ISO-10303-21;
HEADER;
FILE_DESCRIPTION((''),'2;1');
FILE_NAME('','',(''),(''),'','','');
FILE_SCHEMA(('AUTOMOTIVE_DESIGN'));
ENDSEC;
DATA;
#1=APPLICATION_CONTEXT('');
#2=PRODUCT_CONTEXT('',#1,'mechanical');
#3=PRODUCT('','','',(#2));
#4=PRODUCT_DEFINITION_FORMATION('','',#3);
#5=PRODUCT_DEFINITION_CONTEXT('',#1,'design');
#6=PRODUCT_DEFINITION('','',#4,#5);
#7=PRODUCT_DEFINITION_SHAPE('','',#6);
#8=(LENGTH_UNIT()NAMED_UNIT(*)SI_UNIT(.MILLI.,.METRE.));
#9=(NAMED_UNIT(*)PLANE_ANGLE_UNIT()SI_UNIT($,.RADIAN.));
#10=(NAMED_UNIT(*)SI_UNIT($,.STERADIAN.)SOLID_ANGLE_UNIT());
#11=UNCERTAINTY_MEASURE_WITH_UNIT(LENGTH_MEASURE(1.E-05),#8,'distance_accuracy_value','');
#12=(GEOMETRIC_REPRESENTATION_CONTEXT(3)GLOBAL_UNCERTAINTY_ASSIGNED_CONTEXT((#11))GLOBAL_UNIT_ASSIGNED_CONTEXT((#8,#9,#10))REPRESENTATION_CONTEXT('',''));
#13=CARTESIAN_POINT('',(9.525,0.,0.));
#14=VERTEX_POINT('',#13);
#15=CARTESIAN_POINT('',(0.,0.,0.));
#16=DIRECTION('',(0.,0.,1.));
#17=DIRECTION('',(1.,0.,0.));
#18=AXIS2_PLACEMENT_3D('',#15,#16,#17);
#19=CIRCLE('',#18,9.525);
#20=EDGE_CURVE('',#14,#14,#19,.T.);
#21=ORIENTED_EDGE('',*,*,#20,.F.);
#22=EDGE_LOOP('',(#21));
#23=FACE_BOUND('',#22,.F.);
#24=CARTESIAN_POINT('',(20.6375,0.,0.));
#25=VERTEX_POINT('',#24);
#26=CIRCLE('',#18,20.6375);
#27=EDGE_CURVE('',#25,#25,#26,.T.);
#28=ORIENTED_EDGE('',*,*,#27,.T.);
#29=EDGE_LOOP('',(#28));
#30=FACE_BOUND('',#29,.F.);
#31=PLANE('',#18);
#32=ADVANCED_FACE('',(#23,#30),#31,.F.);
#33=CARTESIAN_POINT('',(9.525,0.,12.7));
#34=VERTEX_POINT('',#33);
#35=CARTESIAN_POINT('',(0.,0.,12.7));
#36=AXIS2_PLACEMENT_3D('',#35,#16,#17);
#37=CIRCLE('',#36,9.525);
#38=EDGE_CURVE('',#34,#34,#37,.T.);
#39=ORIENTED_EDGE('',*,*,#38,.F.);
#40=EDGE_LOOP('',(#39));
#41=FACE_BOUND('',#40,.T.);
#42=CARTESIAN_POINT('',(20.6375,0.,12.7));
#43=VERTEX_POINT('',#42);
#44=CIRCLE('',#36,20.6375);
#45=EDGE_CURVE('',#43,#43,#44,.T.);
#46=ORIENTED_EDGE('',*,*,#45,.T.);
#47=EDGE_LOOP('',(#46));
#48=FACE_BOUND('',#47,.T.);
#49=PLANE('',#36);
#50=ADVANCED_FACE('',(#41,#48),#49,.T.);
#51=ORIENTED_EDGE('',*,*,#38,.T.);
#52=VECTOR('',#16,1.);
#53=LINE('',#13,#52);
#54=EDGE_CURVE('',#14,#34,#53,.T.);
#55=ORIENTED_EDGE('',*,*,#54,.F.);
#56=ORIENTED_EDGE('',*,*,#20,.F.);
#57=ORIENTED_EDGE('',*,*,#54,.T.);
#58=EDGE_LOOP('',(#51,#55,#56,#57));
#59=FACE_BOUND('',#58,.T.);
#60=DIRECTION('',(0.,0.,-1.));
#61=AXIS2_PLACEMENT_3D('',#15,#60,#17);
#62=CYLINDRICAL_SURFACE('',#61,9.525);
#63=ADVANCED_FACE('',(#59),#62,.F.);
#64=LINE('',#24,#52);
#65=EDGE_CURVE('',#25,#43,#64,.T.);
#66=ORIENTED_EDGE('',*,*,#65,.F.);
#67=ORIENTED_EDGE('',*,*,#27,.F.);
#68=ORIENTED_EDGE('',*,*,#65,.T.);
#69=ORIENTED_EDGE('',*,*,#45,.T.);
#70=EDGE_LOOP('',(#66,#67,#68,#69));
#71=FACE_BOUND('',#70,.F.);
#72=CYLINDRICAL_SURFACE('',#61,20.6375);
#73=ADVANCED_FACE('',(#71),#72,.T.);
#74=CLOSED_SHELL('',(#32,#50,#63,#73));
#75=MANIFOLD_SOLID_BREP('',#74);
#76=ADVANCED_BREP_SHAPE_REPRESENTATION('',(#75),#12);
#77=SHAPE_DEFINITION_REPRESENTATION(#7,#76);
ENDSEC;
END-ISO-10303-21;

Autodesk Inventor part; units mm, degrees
ref_plane "YZ Plane" through (0, 0, 0) normal (1, 0, 0) x (0, 1, 0)
ref_plane "XZ Plane" through (0, 0, 0) normal (0, 1, 0) x (-1, 0, 0)
ref_plane "XY Plane" through (0, 0, 0) normal (0, 0, 1) x (1, 0, 0)
sketch "Sketch1" plane through (0, 0, 0) normal (0, 0, 1) x (1, 0, 0)
  circle A0 centre (0, 0) radius 9.525
  circle A1 centre (0, 0) radius 20.6375
  dimension "d0" = 19.05
  dimension "d1" = 41.275
extrude "Extrusion1" add sketch "Sketch1" along normal blind 12.7
properties part number "CrankShaft Main Bearing"
